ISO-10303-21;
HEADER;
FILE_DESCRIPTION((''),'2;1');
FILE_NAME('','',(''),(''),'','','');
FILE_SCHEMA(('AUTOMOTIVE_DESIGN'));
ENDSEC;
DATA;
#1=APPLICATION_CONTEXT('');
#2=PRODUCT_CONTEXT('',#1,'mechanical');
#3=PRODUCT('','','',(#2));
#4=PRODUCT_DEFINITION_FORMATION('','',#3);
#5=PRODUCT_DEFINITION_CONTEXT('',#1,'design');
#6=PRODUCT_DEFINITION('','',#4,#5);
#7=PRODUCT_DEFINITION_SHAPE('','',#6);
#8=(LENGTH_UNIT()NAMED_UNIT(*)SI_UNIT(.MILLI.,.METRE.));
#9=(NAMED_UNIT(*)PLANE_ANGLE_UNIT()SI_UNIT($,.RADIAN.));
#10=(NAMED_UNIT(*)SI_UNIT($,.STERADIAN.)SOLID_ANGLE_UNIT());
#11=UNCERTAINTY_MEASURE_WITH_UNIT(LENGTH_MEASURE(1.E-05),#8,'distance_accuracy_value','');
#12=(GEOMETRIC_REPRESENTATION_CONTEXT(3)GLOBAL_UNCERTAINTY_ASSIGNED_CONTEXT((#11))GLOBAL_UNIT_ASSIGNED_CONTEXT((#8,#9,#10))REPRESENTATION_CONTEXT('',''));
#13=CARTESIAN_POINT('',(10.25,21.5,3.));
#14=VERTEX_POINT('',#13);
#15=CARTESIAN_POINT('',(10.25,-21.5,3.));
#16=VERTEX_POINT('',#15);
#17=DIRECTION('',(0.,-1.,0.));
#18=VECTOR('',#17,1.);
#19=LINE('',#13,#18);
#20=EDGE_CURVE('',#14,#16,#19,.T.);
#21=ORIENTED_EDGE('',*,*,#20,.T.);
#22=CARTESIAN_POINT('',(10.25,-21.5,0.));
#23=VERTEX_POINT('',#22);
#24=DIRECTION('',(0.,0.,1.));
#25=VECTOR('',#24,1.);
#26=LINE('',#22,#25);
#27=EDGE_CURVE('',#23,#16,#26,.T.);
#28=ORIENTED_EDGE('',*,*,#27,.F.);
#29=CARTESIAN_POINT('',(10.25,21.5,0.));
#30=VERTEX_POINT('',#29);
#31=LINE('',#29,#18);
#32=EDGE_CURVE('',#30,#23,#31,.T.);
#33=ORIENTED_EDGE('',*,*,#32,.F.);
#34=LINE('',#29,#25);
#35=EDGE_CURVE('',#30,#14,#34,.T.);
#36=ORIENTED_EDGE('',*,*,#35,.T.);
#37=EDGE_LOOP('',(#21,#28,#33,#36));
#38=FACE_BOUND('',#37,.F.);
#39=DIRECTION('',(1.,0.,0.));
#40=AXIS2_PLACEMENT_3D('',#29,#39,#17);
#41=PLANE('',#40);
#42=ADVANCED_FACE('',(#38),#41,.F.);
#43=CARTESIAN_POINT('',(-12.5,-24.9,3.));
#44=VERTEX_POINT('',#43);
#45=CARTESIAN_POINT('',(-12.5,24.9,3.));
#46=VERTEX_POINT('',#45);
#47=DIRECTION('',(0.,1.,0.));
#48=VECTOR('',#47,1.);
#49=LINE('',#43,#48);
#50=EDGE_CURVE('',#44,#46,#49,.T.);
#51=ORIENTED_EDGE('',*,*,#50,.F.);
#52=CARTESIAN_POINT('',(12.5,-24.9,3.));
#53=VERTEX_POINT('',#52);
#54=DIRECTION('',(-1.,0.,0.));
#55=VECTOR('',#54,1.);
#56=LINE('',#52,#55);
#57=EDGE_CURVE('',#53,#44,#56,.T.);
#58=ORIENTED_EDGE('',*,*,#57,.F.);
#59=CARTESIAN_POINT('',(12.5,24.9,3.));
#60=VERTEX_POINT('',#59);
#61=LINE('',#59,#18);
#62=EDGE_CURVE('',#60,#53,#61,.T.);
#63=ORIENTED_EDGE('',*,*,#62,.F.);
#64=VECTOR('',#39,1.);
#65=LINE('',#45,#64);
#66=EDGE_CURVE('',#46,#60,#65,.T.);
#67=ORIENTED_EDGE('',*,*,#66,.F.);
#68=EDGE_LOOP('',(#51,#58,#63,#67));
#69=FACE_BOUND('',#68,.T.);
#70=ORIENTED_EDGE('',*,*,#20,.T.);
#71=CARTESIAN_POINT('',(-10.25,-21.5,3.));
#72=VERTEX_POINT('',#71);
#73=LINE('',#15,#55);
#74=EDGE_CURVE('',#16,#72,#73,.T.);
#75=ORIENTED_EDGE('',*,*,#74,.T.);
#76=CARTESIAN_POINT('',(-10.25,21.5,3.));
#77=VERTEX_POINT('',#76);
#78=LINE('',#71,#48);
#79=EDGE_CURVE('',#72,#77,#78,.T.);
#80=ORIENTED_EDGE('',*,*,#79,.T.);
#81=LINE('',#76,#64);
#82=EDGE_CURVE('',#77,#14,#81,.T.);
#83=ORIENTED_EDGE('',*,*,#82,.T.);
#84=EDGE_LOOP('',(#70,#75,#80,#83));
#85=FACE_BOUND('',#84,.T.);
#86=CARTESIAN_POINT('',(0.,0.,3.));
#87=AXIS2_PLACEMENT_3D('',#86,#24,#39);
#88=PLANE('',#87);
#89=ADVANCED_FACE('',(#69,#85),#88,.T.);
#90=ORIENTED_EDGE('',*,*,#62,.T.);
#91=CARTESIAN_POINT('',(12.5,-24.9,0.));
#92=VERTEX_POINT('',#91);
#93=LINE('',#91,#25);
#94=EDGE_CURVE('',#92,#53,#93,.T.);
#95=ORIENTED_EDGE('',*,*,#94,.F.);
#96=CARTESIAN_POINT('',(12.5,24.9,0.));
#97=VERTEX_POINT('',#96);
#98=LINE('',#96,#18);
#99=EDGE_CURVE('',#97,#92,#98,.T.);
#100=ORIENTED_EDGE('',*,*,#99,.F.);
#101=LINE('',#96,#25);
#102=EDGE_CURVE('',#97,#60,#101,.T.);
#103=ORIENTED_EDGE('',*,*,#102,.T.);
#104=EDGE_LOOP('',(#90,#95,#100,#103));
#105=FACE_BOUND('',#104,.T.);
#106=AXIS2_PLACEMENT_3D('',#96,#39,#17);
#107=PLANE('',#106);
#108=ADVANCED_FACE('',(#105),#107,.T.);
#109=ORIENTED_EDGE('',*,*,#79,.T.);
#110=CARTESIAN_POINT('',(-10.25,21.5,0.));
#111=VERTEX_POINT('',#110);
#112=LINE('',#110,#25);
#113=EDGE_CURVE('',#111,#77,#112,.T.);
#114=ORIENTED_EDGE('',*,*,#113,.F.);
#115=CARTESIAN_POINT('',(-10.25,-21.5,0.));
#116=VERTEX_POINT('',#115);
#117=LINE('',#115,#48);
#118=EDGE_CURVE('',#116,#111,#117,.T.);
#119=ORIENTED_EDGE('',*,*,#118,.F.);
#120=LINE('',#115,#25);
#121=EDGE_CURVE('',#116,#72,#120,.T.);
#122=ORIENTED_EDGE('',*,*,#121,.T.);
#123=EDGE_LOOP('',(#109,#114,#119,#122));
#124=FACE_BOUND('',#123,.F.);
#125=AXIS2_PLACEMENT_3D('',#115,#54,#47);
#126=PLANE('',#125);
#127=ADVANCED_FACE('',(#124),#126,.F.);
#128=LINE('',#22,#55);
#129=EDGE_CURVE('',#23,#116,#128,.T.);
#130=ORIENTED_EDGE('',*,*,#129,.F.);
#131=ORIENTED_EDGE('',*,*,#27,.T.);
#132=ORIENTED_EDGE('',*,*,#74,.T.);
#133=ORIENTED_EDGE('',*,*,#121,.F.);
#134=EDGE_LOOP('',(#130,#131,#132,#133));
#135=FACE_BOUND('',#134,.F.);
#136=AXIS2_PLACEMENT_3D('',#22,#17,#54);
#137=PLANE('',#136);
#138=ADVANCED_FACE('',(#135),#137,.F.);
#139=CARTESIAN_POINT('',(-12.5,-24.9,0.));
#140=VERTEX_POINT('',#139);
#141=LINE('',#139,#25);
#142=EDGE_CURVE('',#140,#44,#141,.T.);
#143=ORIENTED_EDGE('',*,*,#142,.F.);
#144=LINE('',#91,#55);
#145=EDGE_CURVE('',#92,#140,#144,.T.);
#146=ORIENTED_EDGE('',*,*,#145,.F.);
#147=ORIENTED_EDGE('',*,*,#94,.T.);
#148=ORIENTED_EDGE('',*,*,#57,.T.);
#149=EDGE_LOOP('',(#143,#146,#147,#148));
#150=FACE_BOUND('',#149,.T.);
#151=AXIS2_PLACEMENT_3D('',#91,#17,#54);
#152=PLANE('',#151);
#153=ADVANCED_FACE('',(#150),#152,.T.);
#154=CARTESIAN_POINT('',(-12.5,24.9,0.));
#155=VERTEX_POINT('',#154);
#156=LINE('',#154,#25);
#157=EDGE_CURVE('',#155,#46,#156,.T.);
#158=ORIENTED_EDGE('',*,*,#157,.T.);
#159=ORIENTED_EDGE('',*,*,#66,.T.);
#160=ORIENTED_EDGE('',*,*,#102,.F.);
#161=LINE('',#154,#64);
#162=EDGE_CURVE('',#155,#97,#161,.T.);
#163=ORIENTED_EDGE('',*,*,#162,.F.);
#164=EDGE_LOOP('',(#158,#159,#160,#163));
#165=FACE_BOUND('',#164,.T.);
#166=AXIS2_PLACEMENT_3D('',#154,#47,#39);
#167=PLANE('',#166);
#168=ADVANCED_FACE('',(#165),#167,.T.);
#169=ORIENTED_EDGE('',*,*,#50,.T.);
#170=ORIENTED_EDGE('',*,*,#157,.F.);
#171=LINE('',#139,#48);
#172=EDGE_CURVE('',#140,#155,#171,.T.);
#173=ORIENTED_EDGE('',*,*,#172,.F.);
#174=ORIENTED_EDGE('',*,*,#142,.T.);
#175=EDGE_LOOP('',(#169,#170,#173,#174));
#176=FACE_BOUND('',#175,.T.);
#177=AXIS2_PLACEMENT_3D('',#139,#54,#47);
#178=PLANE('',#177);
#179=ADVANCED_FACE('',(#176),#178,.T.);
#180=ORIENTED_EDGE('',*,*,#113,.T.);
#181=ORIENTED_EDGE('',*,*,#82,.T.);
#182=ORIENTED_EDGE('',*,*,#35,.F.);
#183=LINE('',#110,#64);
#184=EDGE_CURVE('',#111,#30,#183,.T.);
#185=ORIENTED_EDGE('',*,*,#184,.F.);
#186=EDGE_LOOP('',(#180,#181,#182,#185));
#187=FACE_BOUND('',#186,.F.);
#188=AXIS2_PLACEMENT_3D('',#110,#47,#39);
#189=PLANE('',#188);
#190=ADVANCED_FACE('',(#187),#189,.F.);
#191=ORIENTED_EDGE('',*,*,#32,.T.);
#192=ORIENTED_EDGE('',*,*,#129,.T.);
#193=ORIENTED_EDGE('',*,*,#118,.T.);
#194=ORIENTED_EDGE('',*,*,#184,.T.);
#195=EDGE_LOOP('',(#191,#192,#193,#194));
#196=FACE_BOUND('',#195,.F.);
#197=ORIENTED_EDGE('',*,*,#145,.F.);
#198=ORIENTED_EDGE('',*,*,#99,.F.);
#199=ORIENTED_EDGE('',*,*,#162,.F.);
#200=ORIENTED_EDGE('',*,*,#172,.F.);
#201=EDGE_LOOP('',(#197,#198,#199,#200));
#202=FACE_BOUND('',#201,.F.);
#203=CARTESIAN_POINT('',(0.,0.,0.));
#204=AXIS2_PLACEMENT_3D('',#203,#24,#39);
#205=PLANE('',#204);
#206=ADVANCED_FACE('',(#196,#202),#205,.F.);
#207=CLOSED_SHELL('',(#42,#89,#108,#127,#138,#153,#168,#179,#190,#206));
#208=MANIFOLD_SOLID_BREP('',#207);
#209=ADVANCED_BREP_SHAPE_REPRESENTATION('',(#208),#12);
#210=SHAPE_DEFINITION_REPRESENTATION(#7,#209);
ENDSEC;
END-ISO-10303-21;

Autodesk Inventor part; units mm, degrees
ref_plane "YZ Plane" through (0, 0, 0) normal (1, 0, 0) x (0, 1, 0)
ref_plane "XZ Plane" through (0, 0, 0) normal (0, 1, 0) x (-1, 0, 0)
ref_plane "XY Plane" through (0, 0, 0) normal (0, 0, 1) x (1, 0, 0)
sketch "Sketch1" plane through (0, 0, 0) normal (0, 0, 1) x (1, 0, 0)
  line L0 (-17.5, 0) -> (17.5, 0) construction
  line L1 (0, -34.86) -> (0, 34.86) construction
  line L2 (-12.5, 24.9) -> (12.5, 24.9)
  line L3 (12.5, 24.9) -> (12.5, -24.9)
  line L4 (12.5, -24.9) -> (-12.5, -24.9)
  line L5 (-12.5, -24.9) -> (-12.5, 24.9)
  line L6 (-10.25, 21.5) -> (10.25, 21.5)
  line L7 (10.25, 21.5) -> (10.25, -21.5)
  line L8 (10.25, -21.5) -> (-10.25, -21.5)
  line L9 (-10.25, -21.5) -> (-10.25, 21.5)
  point P0 (0, 0)
  dimension "d0" = 20.5
  dimension "d1" = 25
  dimension "d2" = 49.8
  dimension "d3" = 43
extrude "Extrusion1" add sketch "Sketch1" along normal blind 3
properties part number "20_Cube_Insert_Sample_clamp"
